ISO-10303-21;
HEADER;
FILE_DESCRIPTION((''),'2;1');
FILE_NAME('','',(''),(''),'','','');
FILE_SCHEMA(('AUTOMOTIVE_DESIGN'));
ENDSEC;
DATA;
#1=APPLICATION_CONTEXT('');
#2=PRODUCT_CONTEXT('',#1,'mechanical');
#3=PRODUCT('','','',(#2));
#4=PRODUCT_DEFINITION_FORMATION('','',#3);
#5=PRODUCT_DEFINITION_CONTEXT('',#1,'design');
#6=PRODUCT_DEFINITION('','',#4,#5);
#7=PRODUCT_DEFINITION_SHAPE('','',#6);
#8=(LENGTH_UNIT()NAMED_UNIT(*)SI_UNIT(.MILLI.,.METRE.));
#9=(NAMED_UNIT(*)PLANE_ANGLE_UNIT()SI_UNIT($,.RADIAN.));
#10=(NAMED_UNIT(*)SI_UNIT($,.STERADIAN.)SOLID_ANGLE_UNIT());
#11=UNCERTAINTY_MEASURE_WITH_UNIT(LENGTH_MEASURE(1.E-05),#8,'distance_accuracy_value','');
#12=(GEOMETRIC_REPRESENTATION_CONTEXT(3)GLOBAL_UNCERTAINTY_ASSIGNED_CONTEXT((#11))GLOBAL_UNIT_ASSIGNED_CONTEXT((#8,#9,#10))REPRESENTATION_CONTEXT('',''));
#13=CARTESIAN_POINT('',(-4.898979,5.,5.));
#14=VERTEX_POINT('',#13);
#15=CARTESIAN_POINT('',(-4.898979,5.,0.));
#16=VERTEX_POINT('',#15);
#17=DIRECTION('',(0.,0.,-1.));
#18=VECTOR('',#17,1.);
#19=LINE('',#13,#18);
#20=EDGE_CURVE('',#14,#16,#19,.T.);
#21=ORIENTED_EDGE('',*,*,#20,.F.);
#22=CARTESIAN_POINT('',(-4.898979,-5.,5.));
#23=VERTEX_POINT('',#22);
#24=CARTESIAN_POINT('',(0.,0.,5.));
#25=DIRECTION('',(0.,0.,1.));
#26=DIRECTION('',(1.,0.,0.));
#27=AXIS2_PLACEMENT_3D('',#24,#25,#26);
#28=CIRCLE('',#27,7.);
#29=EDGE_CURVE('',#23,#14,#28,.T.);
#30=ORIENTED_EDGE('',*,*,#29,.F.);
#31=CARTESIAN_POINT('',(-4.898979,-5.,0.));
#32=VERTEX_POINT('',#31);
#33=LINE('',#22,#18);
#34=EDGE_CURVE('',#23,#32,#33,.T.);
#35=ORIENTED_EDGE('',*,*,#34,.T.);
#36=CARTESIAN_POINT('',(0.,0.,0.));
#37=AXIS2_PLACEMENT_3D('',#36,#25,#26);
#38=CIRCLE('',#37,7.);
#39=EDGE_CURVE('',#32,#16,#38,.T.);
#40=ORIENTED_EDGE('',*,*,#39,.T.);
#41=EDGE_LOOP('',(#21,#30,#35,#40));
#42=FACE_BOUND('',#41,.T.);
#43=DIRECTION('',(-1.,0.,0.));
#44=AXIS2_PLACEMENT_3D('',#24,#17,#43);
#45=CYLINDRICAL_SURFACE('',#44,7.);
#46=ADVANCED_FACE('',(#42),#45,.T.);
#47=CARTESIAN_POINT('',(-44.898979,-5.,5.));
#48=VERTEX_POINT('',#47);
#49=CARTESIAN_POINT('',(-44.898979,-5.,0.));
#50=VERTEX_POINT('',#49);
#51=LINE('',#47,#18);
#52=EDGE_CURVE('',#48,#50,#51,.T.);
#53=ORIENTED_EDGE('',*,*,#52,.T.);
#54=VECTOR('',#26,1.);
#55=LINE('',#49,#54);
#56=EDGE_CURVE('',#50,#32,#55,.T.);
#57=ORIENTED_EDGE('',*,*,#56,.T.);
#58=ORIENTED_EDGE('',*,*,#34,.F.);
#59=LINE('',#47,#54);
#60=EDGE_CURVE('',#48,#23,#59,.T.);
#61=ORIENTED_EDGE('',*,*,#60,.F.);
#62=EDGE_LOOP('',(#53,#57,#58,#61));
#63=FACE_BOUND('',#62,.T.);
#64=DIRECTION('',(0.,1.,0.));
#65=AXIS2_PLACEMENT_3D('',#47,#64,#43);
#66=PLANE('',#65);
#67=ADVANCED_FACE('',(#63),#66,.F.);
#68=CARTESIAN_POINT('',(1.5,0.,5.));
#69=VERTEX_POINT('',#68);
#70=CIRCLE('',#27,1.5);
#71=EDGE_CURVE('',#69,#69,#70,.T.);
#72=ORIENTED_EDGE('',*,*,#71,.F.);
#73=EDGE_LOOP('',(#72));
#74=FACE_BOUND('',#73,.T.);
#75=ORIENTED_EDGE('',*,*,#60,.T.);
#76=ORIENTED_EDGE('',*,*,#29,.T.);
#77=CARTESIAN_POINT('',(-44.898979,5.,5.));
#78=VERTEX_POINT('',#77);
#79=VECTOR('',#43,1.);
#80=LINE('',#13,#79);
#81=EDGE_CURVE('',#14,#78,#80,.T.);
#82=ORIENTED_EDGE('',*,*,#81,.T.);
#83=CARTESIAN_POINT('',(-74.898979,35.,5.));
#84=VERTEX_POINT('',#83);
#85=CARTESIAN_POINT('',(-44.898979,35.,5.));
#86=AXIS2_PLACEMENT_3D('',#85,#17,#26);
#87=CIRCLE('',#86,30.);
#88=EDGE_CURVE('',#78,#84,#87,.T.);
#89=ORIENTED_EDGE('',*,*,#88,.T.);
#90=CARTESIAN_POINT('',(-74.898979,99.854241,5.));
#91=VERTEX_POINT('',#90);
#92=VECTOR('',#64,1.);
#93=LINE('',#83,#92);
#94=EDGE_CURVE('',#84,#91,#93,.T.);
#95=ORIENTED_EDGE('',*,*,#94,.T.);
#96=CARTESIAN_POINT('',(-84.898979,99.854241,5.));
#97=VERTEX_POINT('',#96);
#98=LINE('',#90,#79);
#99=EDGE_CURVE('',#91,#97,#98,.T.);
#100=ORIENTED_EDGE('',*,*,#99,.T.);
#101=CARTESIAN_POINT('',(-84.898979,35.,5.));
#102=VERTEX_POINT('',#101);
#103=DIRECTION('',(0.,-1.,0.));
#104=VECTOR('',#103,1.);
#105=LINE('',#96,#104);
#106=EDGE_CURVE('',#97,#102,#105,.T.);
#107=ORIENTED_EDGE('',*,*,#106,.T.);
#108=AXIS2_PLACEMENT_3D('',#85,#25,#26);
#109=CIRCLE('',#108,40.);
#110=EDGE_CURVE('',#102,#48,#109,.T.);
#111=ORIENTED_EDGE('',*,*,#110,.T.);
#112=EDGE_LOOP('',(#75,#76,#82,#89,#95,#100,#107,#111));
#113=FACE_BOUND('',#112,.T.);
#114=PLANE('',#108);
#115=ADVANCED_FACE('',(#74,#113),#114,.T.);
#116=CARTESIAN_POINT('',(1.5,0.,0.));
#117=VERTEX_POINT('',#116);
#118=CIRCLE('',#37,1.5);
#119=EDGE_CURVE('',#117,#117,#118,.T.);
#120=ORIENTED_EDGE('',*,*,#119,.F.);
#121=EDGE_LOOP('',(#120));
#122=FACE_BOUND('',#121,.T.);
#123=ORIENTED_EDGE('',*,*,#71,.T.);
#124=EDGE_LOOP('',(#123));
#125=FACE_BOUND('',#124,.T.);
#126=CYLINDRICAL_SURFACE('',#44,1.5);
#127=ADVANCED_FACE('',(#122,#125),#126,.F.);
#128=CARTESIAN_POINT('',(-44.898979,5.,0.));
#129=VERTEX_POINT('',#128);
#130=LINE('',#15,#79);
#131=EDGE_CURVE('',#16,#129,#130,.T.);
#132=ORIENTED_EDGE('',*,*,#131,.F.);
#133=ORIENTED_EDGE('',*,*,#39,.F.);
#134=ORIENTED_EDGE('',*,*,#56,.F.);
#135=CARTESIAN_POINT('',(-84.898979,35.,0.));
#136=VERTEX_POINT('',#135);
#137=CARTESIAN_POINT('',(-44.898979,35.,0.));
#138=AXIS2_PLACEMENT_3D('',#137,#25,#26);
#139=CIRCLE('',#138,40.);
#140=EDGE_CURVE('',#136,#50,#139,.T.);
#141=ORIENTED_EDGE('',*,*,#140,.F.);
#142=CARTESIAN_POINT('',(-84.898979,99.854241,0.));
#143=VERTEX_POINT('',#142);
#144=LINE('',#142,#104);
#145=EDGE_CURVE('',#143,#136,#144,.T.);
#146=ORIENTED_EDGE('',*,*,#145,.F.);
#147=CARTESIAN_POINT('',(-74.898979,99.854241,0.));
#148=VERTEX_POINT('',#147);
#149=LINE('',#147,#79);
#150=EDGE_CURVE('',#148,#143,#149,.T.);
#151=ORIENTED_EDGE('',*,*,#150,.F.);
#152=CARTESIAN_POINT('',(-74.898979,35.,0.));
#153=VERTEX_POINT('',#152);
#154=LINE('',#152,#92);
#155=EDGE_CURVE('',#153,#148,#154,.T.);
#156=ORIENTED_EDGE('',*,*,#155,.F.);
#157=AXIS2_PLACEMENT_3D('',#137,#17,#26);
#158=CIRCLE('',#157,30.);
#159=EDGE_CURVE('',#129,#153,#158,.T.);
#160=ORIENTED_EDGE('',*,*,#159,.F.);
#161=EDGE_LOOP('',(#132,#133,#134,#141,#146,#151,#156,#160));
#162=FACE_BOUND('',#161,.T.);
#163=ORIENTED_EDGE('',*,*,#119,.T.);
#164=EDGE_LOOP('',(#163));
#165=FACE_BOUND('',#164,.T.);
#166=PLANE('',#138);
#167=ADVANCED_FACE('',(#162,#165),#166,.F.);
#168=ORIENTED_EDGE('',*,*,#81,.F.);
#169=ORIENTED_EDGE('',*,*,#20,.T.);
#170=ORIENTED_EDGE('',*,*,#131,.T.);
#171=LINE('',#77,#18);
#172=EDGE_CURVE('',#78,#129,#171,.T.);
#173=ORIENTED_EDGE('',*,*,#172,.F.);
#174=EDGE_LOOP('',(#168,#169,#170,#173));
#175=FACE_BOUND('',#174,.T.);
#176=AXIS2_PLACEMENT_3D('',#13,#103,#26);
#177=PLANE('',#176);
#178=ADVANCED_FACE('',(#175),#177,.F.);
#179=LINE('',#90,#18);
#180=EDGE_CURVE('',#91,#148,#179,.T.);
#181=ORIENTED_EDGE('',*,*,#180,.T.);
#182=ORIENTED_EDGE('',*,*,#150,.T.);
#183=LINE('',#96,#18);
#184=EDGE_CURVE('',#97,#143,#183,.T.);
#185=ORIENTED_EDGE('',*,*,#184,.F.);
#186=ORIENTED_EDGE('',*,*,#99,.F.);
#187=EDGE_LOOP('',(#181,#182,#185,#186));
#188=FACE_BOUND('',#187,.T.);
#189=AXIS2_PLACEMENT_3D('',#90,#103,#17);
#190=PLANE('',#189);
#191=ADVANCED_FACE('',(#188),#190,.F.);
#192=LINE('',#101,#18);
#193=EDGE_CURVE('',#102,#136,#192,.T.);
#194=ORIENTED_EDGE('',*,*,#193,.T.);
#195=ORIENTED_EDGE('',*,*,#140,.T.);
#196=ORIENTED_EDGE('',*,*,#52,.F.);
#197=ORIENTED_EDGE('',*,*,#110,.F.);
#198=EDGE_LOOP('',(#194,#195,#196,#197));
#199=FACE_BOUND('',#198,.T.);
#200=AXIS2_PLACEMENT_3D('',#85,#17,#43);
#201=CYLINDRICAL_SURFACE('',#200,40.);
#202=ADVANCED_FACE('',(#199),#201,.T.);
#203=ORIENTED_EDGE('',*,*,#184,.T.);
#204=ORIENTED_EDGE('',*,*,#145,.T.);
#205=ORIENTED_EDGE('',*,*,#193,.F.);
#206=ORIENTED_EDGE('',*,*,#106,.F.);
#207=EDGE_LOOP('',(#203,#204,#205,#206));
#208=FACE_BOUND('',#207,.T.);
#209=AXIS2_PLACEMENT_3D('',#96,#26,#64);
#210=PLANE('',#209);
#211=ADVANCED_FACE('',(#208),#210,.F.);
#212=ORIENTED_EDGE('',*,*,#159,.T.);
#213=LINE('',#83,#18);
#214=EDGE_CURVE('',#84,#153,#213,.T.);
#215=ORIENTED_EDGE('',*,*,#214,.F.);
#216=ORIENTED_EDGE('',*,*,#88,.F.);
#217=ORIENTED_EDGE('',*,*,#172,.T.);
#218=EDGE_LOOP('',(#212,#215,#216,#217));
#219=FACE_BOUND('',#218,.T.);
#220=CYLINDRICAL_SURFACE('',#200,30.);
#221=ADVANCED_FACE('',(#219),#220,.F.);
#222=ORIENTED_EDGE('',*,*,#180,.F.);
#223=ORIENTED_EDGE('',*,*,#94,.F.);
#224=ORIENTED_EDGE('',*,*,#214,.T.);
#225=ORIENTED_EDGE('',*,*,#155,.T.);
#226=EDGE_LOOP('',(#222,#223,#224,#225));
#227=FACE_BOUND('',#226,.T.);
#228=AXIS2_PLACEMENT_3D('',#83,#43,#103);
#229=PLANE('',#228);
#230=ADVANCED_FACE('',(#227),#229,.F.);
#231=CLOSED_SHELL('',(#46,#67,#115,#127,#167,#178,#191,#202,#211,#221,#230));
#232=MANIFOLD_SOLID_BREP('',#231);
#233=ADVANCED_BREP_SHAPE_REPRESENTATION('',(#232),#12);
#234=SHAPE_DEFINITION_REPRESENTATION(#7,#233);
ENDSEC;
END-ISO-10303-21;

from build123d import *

# Parameters (mm, degrees)
SKETCH1_R           = 1.5
BOSS_EXTRUDE1_DEPTH = 5


with BuildPart() as part:
    # Sketch1 → Boss-Extrude1 (new body)
    with BuildSketch(Plane.XY):
        with BuildLine():
            Line((-4.898979486, 5), (-44.898979486, 5))
            ThreePointArc((-44.898979486, 5), (-66.112182921, 13.786796564), (-74.898979486, 35))
            Line((-74.898979486, 35), (-74.898979486, 99.854241238))
            Line((-74.898979486, 99.854241238), (-84.898979486, 99.854241238))
            Line((-84.898979486, 99.854241238), (-84.898979486, 35))
            ThreePointArc((-84.898979486, 35), (-73.183250733, 6.715728753), (-44.898979486, -5))
            Line((-44.898979486, -5), (-4.898979486, -5))
            ThreePointArc((-4.898979486, -5), (7, 0), (-4.898979486, 5))
        make_face()
        Circle(SKETCH1_R, mode=Mode.SUBTRACT)
    extrude(amount=BOSS_EXTRUDE1_DEPTH)


solid = part.part
